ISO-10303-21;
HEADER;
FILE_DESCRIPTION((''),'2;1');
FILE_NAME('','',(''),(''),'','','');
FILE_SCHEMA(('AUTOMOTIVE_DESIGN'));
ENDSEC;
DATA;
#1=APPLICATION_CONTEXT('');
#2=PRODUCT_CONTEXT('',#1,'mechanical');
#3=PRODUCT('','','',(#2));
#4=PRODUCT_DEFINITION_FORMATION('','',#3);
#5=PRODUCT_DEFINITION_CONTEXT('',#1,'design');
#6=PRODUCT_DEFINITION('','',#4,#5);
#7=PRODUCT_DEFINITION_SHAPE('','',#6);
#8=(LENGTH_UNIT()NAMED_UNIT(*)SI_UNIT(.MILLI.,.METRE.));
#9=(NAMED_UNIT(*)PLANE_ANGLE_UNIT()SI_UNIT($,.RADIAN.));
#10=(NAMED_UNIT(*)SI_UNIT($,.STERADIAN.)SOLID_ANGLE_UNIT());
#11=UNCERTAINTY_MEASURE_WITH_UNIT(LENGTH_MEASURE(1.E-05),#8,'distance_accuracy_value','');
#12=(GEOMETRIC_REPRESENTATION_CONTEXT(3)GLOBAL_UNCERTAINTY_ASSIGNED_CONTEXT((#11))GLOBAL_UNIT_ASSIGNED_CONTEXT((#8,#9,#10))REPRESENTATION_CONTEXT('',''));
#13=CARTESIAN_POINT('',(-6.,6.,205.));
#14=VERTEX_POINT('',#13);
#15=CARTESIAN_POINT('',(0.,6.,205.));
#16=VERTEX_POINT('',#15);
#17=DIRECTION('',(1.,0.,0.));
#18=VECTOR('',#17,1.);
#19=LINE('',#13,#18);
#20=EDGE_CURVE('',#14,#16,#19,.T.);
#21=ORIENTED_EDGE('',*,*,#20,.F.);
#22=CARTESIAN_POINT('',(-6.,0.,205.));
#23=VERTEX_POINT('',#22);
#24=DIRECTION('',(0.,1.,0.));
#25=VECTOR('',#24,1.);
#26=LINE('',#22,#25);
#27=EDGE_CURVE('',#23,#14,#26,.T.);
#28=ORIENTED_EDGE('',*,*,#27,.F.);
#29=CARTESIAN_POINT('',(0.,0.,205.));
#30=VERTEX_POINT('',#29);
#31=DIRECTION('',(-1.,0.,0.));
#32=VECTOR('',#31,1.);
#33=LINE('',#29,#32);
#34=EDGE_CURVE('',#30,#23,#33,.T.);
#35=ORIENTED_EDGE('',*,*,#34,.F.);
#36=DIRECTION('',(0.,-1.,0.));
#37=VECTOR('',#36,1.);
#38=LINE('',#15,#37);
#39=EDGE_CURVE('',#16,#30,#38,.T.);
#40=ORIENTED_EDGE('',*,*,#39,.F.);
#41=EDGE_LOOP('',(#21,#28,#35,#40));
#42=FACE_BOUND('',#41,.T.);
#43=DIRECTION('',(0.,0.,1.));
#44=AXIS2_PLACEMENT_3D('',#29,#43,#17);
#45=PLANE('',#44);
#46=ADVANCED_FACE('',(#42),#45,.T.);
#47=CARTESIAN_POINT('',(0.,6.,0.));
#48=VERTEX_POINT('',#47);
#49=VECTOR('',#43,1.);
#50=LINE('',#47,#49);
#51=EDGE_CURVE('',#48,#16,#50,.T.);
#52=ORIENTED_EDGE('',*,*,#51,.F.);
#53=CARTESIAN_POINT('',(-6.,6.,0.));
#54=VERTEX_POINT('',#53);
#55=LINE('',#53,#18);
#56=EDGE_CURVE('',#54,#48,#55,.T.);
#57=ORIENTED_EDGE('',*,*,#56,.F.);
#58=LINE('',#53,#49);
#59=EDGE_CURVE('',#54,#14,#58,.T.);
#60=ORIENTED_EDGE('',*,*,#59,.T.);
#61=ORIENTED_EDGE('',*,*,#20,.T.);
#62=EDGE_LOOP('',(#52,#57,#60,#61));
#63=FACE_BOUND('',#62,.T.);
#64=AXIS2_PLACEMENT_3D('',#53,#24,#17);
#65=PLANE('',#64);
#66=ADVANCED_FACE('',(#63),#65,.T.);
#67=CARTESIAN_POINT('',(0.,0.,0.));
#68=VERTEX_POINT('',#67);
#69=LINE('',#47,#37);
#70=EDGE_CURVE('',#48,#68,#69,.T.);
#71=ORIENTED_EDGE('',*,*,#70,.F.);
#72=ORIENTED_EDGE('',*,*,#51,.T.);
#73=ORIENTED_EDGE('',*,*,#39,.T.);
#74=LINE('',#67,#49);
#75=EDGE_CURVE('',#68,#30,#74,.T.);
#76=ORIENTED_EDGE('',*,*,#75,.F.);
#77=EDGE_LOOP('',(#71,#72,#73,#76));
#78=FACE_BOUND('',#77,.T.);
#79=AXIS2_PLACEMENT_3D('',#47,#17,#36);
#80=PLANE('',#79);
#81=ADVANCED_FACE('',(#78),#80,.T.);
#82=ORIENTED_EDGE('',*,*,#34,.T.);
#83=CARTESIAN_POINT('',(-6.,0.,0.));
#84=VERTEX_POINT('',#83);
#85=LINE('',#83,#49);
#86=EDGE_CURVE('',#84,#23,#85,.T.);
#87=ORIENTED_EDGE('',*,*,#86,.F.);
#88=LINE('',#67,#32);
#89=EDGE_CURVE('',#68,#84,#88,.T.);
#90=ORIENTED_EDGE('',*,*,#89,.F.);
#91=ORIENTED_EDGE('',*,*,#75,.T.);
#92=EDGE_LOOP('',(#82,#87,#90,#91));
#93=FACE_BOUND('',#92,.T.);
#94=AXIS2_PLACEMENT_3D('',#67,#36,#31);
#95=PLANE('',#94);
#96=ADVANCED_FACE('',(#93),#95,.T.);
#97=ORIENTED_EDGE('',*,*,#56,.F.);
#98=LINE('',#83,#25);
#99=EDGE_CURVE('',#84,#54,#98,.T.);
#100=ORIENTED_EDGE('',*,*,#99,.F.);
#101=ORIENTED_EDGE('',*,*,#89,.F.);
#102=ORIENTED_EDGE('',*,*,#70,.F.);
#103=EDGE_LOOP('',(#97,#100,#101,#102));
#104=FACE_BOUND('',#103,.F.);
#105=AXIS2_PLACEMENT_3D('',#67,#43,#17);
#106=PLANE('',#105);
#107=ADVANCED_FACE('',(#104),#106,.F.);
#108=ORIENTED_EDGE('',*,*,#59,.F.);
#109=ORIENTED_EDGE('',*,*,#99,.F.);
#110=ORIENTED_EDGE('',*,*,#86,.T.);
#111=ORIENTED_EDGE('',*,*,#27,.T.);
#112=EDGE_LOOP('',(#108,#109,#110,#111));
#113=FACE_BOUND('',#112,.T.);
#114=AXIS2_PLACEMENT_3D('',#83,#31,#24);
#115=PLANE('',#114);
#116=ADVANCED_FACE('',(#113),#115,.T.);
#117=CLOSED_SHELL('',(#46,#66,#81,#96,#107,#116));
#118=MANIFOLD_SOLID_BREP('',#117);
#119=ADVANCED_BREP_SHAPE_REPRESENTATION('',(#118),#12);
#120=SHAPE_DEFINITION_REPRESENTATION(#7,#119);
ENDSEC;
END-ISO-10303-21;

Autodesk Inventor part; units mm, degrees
ref_plane "YZ Plane" through (0, 0, 0) normal (1, 0, 0) x (0, 1, 0)
ref_plane "XZ Plane" through (0, 0, 0) normal (0, 1, 0) x (-1, 0, 0)
ref_plane "XY Plane" through (0, 0, 0) normal (0, 0, 1) x (1, 0, 0)
sketch "Sketch10" plane through (0, 0, 0) normal (0, 0, 1) x (1, 0, 0)
  line L0 (-6, 6) -> (0, 6)
  line L1 (0, 6) -> (0, 0)
  line L2 (0, 0) -> (-6, 0)
  line L3 (-6, 0) -> (-6, 6)
  point P0 (0, 0)
  dimension "d27" = 6
  dimension "d28" = 6
extrude "Extrusion10" add sketch "Sketch10" along normal blind 205
properties part number "4100_Bias_Coil_Spacer_MPSv2_v2" material "Copper"
